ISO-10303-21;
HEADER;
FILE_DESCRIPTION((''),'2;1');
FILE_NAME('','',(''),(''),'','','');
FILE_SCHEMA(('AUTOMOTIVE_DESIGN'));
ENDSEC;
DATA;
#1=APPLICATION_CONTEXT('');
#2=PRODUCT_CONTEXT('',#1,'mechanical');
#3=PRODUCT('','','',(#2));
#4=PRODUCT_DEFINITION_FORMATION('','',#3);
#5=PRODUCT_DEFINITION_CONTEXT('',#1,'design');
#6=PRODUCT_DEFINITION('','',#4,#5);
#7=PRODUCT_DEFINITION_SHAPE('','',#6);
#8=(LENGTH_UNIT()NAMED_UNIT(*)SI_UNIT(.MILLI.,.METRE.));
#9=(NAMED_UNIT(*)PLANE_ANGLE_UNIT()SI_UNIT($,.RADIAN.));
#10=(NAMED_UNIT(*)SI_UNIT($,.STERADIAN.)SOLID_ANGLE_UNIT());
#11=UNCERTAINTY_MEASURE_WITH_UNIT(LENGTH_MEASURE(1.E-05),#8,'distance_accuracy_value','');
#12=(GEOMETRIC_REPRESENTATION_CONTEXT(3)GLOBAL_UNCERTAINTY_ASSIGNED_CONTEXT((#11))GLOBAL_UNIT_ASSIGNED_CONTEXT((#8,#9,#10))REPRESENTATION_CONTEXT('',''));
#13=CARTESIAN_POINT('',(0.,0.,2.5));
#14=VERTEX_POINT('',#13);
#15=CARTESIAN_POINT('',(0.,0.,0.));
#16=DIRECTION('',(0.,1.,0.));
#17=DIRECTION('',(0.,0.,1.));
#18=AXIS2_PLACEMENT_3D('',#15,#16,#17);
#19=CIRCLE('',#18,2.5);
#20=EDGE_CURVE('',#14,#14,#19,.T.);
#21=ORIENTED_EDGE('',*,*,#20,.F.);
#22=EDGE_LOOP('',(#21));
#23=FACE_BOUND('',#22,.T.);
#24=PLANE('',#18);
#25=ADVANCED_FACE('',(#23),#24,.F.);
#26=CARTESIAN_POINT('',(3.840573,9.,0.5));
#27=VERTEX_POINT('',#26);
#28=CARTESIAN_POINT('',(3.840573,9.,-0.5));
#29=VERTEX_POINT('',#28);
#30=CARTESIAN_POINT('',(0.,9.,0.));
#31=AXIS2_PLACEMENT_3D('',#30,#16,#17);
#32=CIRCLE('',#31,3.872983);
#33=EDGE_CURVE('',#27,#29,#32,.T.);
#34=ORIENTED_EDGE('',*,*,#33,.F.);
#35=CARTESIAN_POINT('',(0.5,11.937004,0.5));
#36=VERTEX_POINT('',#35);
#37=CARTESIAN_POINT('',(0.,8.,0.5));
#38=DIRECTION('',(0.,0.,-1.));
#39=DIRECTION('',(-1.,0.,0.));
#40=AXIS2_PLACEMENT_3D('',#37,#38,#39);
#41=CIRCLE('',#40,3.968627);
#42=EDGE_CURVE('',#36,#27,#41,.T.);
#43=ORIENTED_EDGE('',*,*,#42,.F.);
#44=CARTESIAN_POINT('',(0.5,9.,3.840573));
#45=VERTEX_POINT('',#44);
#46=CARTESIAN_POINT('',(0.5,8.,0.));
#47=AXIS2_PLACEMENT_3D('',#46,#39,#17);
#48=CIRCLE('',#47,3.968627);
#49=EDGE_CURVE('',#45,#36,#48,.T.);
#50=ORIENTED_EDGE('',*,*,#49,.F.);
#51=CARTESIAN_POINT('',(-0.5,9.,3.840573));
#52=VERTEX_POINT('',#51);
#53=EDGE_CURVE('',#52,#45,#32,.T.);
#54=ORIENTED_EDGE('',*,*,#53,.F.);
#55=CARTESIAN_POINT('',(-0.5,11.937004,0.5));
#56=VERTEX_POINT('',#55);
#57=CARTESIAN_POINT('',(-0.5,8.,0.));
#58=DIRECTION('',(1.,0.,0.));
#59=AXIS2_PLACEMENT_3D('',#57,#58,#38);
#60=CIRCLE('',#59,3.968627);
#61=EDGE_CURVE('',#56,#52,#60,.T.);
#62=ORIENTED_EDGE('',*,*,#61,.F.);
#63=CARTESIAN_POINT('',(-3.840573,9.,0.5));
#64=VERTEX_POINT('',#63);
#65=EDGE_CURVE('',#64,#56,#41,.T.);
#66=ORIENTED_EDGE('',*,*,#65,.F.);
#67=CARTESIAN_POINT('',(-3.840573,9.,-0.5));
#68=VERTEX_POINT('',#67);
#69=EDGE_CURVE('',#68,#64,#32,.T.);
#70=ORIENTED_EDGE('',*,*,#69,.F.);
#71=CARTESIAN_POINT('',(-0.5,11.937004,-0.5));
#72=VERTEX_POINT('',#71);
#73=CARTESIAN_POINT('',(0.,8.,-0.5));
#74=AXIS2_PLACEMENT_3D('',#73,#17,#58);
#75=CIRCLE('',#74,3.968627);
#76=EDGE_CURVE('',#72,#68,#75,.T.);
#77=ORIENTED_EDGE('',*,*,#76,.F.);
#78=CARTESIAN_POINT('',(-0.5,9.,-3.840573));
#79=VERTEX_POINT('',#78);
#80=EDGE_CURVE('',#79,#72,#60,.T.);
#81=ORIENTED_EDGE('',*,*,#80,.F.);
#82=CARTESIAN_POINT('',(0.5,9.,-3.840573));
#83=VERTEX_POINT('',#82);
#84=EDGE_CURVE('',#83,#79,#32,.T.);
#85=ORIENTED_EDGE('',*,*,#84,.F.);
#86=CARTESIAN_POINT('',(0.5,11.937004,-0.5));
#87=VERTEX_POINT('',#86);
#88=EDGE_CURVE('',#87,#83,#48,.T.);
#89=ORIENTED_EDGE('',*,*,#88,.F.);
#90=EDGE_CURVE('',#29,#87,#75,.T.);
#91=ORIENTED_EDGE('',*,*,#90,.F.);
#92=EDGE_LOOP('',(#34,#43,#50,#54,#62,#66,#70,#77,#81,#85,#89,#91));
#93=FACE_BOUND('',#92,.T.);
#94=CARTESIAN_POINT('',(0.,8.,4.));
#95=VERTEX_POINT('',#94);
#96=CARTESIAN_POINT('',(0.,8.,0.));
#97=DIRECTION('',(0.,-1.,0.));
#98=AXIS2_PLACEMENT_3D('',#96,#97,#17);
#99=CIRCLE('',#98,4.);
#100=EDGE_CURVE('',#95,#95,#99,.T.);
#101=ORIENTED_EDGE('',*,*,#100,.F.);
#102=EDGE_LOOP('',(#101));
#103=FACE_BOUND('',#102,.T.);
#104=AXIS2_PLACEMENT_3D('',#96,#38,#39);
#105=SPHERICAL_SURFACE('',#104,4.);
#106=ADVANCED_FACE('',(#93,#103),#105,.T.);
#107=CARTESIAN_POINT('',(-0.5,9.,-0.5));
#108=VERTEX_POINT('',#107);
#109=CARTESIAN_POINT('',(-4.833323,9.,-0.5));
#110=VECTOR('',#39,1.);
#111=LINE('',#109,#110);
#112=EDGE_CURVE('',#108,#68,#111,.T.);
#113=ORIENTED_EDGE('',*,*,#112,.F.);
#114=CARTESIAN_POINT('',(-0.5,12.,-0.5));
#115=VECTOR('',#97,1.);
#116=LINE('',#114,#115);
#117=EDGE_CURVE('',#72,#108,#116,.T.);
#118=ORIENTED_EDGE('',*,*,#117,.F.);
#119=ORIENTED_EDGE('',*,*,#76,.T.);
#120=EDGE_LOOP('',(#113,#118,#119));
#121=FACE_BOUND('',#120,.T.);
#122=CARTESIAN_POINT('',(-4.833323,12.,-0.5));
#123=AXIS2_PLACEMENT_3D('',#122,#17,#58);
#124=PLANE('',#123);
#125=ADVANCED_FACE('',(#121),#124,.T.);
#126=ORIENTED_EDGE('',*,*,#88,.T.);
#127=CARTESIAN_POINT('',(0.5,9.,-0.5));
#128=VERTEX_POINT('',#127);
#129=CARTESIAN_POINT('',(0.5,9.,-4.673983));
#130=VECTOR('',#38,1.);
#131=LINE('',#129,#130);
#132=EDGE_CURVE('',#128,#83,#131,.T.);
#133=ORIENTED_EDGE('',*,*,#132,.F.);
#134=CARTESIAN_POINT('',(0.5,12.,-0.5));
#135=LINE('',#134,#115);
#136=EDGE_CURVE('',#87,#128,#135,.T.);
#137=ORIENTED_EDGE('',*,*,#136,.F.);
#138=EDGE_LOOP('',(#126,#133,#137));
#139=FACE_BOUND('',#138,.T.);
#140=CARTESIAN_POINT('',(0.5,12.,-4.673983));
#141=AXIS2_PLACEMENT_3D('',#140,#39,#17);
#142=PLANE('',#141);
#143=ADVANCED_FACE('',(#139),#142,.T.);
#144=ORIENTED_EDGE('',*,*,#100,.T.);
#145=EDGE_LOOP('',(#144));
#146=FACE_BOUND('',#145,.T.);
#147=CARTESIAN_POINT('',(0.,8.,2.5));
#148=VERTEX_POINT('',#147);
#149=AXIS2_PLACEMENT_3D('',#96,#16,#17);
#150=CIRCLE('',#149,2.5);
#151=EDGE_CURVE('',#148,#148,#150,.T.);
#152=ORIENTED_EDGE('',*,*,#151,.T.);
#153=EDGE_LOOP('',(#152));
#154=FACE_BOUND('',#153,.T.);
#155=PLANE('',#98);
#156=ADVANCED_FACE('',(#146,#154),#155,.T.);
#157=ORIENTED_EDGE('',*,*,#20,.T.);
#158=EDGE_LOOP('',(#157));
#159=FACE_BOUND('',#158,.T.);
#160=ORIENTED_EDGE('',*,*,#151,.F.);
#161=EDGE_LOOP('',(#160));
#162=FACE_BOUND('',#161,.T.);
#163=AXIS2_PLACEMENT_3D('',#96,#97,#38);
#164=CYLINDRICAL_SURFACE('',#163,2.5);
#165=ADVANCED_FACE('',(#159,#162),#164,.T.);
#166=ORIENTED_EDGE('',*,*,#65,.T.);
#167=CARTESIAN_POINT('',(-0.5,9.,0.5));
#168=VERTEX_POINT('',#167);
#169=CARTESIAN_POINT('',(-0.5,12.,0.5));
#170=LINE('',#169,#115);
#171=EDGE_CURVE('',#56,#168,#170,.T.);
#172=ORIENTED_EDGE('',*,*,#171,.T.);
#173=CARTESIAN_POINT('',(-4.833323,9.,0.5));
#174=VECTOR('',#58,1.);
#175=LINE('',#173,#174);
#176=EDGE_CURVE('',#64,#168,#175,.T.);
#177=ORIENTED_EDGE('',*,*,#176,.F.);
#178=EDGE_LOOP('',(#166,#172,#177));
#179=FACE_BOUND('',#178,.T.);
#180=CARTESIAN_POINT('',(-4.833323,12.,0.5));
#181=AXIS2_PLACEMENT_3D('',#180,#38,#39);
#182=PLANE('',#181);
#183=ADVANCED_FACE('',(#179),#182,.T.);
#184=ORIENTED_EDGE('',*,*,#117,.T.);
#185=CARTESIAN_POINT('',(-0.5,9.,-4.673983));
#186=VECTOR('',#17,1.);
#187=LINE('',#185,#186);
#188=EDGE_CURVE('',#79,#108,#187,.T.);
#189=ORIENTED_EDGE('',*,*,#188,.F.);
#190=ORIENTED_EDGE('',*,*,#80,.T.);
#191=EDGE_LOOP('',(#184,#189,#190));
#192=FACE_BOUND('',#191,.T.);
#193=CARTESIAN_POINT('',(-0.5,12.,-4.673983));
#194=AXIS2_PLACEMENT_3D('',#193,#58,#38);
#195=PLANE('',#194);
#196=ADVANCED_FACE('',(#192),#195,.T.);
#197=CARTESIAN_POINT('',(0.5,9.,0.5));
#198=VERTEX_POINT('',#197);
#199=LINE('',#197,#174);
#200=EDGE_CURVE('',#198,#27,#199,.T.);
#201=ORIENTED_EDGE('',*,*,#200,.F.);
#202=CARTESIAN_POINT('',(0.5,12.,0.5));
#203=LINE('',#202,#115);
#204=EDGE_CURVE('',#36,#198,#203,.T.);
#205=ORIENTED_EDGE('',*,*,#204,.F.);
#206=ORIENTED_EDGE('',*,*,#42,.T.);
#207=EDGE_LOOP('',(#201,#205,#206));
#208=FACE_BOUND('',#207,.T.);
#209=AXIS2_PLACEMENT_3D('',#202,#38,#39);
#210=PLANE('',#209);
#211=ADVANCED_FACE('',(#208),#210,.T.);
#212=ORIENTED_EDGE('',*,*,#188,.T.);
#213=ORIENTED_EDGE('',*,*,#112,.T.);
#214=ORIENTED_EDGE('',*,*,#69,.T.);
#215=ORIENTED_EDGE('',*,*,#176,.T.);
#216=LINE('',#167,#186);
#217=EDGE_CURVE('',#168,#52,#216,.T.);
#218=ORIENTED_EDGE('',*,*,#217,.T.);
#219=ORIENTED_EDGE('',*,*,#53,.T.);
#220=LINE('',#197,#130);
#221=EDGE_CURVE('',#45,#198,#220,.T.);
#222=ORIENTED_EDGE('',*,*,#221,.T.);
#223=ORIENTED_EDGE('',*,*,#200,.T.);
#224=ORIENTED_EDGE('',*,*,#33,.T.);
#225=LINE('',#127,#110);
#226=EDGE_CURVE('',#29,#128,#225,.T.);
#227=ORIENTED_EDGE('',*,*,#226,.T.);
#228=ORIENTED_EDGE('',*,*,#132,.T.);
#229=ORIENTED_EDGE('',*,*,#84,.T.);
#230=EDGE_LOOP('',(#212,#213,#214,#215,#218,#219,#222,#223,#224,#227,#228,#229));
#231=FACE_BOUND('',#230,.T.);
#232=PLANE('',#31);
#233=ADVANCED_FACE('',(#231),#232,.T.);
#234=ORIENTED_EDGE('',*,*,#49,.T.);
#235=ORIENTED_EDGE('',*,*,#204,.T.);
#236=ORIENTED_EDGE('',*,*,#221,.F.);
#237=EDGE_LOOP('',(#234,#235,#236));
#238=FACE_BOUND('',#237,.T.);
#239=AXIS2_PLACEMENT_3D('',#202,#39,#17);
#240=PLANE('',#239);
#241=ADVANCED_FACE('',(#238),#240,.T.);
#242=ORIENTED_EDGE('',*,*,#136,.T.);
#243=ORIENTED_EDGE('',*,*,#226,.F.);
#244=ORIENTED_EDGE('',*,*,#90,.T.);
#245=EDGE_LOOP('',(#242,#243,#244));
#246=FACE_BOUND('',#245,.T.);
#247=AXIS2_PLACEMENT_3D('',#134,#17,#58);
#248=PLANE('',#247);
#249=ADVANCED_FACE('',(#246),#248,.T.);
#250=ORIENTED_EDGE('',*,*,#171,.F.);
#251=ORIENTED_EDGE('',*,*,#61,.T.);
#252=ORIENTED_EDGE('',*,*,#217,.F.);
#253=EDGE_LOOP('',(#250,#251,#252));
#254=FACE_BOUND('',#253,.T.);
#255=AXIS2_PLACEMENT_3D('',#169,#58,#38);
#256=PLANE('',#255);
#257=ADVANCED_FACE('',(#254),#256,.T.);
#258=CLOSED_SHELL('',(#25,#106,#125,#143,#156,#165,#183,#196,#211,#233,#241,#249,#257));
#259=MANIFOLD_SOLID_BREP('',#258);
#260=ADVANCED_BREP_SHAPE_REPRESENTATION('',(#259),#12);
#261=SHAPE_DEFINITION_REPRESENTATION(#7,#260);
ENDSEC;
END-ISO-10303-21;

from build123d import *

# Parameters (mm, degrees)
SKETCH1_R           = 2.5
BOSS_EXTRUDE1_DEPTH = 8
REVOLVE1_ANGLE      = 180
CUT_EXTRUDE1_DEPTH  = 3


with BuildPart() as part:
    # Sketch1 → Boss-Extrude1 (new body)
    with BuildSketch(Plane(origin=(0, 0, 0), x_dir=(1, 0, 0), z_dir=(0, 1, 0))):
        Circle(SKETCH1_R)
    extrude(amount=BOSS_EXTRUDE1_DEPTH)

    # Sketch2 → Revolve1 (revolve)
    with BuildSketch(Plane(origin=(0, 8, 0), x_dir=(1, 0, 0), z_dir=(0, 1, 0))):
        with BuildLine():
            Line((0, 4), (0, -4))
            ThreePointArc((0, -4), (4, 0), (0, 4))
        make_face()
    revolve(axis=Axis((0, 8, -4), (0, 0, 1)), revolution_arc=REVOLVE1_ANGLE)

    # Sketch3 → Cut-Extrude1 (cut)
    with BuildSketch(Plane(origin=(0, 9, 0), x_dir=(1, 0, 0), z_dir=(0, 1, 0))):
        Polygon((0.5, 0.5), (5.630024771, 0.5), (5.630024771, -0.5), (0.5, -0.5), (0.5, -4.833323152), (-0.5, -4.833323152), (-0.5, -0.5), (-4.833323152, -0.5), (-4.833323152, 0.5), (-0.5, 0.5), (-0.5, 4.673982829), (0.5, 4.673982829), align=None)
    extrude(amount=CUT_EXTRUDE1_DEPTH, mode=Mode.SUBTRACT)


solid = part.part
